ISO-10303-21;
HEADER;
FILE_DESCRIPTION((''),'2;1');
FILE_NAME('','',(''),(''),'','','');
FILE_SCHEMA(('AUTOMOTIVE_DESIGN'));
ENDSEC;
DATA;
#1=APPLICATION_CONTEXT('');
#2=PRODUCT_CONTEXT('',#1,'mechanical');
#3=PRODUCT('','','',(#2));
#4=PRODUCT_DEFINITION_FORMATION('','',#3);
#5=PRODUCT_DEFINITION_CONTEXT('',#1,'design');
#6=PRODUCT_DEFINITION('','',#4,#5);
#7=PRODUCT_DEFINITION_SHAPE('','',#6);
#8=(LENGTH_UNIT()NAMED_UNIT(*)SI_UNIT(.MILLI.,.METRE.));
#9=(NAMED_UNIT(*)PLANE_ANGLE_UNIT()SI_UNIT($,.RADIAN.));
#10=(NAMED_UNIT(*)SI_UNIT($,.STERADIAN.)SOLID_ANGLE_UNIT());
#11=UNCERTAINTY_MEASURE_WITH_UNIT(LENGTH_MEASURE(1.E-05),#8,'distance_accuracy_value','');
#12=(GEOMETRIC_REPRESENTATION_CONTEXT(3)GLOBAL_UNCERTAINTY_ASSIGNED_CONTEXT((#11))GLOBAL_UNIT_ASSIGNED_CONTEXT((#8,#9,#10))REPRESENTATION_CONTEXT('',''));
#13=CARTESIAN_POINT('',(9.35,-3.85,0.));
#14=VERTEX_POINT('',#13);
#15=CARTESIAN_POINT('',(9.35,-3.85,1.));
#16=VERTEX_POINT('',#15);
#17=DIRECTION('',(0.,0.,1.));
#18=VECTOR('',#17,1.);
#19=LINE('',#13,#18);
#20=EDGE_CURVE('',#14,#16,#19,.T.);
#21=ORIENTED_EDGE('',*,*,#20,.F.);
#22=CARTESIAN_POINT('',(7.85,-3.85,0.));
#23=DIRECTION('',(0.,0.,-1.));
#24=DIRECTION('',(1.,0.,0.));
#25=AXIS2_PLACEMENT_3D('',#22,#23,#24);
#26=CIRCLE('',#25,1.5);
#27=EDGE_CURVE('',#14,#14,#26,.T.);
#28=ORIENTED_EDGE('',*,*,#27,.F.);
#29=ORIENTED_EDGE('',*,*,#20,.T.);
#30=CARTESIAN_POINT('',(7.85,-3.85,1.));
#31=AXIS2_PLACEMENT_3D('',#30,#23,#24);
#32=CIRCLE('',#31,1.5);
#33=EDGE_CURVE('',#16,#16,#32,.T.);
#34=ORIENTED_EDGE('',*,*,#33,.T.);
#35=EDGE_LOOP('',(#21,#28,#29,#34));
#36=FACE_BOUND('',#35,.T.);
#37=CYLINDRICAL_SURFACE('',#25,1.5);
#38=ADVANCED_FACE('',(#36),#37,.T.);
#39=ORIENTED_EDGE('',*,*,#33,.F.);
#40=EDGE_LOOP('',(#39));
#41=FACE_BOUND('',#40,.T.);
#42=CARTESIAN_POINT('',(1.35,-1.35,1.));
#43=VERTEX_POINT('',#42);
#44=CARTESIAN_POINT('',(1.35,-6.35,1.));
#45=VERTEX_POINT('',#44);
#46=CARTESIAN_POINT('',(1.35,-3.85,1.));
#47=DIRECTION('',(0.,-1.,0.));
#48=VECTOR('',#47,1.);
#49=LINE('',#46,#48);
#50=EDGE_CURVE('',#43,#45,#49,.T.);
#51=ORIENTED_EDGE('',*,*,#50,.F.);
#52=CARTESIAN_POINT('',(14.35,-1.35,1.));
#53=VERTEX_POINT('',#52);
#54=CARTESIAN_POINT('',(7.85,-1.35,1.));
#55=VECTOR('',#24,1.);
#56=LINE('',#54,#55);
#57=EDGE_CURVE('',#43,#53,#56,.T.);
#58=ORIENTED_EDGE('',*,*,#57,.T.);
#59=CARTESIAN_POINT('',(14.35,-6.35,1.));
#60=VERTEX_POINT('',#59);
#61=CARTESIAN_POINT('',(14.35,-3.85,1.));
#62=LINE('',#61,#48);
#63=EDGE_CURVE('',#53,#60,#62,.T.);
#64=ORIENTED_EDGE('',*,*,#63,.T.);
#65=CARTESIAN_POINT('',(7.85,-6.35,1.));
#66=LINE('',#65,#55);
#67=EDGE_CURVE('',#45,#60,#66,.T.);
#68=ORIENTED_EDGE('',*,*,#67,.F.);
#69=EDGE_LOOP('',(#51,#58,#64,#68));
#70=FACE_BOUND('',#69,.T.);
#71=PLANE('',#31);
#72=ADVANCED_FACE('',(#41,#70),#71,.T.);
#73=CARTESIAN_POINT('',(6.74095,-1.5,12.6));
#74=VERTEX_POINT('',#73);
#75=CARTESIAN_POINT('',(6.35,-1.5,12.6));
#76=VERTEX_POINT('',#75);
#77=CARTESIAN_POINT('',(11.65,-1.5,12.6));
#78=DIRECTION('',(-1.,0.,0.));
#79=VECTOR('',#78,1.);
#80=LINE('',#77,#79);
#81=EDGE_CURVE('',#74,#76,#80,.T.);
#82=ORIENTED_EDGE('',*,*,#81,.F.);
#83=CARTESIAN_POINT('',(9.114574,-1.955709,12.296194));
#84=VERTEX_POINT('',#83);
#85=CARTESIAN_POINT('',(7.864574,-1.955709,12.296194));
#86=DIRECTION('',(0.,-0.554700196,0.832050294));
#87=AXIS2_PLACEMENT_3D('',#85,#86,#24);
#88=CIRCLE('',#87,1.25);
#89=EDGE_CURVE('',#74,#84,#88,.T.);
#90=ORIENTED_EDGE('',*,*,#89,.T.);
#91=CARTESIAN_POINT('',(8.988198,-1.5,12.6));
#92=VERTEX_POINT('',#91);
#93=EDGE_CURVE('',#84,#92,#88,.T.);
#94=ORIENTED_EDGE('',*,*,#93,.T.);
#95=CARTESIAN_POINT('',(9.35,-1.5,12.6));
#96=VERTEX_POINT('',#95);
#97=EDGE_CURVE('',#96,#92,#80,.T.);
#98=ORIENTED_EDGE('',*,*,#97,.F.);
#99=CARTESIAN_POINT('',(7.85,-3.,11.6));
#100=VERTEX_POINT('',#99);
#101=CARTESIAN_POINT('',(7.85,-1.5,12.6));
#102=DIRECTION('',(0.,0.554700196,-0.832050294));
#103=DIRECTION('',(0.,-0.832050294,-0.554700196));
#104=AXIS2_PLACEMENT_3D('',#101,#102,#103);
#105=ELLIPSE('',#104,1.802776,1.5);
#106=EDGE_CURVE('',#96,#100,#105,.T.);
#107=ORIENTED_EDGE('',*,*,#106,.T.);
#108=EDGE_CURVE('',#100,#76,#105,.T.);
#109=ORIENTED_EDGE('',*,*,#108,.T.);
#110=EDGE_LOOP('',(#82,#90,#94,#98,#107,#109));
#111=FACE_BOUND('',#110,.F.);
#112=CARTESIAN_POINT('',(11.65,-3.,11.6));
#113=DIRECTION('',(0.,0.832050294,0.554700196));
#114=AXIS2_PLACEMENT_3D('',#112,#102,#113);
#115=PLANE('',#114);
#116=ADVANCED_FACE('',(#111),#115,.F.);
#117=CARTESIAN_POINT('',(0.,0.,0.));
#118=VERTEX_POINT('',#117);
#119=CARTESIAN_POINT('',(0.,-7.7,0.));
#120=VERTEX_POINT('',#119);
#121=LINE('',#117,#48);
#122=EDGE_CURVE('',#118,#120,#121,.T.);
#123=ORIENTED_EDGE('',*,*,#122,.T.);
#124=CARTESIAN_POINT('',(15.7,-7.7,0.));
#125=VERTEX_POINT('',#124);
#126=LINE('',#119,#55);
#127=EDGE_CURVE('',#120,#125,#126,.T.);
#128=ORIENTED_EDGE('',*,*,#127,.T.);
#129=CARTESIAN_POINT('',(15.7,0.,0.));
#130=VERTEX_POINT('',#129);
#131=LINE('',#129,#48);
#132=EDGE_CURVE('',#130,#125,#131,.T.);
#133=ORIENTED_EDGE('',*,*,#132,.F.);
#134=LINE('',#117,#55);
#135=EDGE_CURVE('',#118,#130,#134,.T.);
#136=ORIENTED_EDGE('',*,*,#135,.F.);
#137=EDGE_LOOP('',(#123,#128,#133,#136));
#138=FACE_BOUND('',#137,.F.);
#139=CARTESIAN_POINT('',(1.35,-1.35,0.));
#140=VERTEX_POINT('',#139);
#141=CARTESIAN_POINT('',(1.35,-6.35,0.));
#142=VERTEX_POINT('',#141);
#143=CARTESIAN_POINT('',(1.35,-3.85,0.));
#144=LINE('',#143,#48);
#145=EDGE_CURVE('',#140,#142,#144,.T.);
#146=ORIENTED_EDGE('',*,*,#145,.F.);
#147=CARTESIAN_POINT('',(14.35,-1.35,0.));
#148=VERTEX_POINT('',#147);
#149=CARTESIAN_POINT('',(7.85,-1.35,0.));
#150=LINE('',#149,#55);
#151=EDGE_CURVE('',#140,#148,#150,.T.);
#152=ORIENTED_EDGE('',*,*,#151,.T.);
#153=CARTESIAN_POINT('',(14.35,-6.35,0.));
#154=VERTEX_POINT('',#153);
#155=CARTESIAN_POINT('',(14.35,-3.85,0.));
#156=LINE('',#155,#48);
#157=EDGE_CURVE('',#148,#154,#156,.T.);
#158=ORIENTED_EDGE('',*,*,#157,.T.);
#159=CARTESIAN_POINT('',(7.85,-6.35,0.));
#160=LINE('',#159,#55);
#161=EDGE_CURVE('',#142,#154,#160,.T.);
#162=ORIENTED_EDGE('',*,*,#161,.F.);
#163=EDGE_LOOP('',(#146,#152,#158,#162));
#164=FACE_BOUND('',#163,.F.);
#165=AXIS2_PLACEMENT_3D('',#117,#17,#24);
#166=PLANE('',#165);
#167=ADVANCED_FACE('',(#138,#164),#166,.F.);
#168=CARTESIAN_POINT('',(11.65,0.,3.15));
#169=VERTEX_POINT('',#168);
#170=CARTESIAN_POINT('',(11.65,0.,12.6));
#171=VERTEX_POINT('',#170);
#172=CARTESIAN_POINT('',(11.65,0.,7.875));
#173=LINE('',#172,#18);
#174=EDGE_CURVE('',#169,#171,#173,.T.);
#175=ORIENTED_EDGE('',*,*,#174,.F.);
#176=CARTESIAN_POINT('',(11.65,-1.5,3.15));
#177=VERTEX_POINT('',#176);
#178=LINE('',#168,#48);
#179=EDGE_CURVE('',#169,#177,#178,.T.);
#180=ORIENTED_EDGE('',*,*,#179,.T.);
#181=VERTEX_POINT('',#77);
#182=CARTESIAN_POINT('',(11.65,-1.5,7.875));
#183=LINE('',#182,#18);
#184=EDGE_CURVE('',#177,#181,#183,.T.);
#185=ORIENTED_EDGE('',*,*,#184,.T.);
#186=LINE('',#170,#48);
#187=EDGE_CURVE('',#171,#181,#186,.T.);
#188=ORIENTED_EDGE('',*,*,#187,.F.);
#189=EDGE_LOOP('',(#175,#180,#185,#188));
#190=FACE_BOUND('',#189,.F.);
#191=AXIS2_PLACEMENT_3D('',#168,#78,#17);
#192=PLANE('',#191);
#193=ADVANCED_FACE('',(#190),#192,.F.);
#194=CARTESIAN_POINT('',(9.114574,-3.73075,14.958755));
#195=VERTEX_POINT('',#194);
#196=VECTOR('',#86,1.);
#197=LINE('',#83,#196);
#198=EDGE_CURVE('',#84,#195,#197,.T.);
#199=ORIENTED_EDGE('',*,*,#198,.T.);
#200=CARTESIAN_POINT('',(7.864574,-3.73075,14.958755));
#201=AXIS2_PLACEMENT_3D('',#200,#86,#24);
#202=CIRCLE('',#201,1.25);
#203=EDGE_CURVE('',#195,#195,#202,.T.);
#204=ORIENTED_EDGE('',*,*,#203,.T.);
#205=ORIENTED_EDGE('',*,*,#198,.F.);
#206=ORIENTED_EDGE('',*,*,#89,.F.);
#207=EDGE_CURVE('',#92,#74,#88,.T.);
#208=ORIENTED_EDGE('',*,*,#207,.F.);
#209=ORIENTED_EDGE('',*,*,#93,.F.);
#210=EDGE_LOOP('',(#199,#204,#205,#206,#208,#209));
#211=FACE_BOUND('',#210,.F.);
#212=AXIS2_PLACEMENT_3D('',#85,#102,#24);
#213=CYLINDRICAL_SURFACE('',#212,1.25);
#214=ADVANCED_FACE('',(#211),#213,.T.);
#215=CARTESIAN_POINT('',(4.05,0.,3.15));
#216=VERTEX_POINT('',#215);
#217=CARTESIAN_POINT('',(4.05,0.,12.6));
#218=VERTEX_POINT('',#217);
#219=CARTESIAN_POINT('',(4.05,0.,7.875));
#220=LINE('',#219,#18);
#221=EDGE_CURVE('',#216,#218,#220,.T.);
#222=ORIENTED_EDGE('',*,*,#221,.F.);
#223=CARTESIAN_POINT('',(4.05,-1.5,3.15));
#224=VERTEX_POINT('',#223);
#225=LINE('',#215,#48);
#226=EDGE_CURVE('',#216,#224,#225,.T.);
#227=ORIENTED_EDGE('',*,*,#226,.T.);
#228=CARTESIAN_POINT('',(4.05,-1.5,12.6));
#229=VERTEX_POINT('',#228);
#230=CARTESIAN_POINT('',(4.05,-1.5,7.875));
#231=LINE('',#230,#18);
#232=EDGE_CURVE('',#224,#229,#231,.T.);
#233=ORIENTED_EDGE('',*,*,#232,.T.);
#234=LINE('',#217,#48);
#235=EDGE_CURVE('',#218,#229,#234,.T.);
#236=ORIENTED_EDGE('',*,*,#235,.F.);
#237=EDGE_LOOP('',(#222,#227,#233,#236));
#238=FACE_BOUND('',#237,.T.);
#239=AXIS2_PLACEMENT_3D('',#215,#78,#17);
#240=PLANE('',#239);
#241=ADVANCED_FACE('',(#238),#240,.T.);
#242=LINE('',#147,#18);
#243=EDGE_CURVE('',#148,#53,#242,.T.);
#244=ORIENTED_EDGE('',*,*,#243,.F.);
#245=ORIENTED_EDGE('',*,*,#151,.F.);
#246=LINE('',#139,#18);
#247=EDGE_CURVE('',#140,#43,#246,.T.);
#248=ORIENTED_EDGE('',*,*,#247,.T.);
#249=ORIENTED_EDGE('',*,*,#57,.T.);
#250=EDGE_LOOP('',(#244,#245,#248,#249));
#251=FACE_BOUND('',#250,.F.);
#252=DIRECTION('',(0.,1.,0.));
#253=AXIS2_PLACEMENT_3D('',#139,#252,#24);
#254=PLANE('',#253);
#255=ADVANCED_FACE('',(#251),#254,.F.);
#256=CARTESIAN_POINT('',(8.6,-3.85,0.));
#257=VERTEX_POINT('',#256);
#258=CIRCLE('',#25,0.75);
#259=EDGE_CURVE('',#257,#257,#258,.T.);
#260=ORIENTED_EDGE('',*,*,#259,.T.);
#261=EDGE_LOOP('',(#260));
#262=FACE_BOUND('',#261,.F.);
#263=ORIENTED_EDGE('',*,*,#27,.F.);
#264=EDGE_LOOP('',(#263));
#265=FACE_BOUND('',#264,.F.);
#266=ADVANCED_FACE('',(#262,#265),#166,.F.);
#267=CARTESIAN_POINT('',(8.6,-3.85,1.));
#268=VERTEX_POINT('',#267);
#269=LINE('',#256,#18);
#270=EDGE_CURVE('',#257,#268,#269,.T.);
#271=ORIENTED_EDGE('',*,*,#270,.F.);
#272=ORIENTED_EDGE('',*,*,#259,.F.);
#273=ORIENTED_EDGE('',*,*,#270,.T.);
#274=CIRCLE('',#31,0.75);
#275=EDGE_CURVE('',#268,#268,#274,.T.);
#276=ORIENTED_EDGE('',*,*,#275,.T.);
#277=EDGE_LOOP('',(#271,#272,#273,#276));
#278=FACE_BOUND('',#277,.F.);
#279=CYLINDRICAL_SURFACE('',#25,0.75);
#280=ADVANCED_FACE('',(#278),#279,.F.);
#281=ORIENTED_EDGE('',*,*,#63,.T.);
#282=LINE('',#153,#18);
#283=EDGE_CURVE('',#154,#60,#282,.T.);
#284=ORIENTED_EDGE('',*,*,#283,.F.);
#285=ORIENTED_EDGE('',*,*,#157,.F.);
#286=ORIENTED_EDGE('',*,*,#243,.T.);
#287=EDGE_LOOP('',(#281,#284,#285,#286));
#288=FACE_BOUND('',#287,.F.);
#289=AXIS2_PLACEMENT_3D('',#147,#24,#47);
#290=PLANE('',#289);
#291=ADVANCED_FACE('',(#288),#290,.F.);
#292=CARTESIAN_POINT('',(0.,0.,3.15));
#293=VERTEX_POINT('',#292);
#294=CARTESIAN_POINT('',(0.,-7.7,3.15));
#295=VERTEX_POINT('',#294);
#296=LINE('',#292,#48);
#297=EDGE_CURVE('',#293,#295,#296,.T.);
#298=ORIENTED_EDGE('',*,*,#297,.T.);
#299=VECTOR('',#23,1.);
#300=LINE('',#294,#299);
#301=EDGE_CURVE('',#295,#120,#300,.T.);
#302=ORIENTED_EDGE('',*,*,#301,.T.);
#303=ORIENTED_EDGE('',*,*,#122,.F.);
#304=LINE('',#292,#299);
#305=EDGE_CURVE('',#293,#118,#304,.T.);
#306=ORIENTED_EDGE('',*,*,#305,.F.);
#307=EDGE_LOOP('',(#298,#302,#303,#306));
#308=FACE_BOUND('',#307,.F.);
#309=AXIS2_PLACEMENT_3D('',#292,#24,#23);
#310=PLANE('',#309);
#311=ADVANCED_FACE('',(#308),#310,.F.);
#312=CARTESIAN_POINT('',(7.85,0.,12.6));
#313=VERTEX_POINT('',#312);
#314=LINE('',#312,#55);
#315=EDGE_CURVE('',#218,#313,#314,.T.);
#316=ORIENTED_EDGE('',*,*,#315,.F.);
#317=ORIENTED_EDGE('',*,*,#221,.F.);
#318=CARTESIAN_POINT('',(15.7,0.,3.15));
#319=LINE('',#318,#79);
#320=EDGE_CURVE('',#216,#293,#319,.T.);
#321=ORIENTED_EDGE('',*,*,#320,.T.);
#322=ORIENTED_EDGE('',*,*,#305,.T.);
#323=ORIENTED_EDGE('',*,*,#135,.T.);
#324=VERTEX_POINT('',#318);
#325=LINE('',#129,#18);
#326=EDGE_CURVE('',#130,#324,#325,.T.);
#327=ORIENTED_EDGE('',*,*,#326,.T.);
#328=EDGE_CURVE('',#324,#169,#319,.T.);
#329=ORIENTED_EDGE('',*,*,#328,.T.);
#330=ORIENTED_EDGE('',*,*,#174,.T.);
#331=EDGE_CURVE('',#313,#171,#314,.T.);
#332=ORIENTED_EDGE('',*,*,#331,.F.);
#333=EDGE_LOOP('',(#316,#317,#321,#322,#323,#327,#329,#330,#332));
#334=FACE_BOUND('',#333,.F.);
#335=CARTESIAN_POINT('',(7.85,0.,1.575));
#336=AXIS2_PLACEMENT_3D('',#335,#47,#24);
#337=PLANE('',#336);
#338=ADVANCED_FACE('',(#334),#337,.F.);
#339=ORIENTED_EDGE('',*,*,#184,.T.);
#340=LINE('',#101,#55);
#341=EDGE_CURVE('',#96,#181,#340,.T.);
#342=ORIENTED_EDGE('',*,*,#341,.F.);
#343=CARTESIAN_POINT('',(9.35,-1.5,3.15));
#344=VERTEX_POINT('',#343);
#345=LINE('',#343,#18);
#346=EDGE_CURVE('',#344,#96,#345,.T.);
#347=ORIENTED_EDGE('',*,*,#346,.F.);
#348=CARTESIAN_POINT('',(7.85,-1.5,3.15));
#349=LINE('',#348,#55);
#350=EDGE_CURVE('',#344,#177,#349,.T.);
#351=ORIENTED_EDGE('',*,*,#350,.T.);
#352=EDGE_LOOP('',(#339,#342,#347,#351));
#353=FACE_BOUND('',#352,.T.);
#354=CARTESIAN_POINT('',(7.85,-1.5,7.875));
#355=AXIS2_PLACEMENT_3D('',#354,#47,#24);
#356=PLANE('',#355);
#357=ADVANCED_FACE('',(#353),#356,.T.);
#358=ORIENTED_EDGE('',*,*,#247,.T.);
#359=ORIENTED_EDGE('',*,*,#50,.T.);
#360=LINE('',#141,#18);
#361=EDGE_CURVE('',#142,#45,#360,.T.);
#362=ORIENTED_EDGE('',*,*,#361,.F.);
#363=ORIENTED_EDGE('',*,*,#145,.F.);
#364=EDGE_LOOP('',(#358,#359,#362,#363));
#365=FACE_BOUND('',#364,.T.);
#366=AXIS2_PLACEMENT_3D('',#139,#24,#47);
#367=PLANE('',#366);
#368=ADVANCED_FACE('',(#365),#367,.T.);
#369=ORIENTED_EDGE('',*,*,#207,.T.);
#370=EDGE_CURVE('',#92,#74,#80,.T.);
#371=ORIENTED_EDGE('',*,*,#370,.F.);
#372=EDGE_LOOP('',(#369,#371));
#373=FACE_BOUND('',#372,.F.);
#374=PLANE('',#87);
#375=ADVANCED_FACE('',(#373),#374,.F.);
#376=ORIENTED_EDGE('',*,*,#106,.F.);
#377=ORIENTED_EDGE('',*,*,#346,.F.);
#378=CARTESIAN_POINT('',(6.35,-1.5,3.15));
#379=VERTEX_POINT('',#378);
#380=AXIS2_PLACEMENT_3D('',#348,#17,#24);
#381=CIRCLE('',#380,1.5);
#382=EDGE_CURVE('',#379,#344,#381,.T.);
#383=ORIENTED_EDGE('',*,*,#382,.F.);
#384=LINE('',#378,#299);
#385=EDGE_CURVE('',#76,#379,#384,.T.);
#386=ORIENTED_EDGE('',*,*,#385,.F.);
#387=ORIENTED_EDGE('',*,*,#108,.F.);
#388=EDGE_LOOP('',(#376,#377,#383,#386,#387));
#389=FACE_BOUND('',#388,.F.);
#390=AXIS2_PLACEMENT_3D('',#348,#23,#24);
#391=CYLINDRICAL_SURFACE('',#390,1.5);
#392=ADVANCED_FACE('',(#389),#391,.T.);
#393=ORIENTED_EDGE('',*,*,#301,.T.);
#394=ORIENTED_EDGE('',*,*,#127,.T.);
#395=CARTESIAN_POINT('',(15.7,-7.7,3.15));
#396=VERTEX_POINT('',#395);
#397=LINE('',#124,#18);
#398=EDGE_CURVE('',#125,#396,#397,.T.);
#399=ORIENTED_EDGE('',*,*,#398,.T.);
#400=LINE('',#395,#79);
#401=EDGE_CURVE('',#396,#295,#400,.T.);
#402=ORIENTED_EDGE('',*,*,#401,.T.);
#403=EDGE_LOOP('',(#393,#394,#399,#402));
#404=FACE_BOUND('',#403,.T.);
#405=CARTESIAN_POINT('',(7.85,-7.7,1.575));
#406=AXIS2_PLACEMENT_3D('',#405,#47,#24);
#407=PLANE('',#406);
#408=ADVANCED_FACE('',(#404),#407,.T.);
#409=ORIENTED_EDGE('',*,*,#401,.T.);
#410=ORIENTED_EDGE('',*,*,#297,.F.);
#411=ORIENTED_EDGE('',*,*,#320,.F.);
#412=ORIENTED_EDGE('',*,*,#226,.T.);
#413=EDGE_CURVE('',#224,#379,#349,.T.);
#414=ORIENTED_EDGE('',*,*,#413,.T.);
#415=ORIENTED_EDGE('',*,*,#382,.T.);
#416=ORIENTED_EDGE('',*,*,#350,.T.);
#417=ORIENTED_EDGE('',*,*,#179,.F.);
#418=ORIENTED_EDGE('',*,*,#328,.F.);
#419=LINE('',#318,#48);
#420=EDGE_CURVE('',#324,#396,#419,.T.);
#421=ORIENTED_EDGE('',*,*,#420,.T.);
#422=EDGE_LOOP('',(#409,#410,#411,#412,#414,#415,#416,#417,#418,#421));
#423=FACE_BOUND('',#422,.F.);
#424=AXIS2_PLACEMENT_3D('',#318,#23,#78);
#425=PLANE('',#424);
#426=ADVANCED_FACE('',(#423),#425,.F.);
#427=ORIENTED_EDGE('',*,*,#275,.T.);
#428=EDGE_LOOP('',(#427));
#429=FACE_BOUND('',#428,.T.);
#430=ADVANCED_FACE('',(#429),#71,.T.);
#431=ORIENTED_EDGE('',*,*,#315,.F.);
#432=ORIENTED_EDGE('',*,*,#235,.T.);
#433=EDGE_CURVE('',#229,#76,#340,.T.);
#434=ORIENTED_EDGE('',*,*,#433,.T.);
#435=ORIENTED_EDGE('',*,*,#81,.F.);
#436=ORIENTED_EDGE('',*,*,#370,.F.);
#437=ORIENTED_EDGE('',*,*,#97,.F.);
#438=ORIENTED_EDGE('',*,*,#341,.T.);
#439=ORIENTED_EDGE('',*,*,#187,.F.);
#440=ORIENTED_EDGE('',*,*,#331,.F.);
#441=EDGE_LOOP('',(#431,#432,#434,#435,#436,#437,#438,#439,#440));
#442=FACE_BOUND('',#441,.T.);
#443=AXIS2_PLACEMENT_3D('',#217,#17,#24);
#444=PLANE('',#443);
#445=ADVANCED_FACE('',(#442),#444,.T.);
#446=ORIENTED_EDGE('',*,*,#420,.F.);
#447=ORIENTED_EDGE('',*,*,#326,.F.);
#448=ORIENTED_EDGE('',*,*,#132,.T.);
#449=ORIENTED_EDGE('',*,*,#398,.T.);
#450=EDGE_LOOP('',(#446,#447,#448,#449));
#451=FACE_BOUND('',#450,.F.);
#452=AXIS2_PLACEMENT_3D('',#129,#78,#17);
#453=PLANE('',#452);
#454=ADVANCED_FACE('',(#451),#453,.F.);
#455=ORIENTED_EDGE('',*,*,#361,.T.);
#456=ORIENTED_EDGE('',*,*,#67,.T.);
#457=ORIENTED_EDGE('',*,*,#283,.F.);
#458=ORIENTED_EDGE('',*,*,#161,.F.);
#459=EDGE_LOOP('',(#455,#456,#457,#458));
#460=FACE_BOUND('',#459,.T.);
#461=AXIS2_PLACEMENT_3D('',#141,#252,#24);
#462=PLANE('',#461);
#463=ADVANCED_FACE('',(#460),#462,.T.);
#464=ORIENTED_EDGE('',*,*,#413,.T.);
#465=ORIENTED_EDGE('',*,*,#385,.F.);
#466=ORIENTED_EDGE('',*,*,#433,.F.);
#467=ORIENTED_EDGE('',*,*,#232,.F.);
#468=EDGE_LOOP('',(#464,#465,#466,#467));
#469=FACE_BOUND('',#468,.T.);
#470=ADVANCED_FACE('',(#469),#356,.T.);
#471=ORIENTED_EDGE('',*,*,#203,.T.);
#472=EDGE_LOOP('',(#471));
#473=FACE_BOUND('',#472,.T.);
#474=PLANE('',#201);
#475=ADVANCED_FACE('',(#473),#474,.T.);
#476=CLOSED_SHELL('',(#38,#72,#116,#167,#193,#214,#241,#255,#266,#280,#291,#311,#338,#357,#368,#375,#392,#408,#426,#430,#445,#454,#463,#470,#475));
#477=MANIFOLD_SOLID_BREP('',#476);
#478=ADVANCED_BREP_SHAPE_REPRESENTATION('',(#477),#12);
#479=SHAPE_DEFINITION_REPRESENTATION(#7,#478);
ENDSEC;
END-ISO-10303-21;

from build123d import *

# Parameters (mm, degrees)
F1_DEPTH  = 7.7
F0_W      = 7.6
F0_H      = 9.45
F2_DEPTH  = 1.5
F3_R      = 1.5
F4_DEPTH  = 9.45
F5_W      = 13
F5_H      = 5
F5_R      = 1.5
F5_R_2    = 0.75
F6_DEPTH  = 1
F8_DEPTH  = 25
F9_R      = 1.25
F10_DEPTH = 3.2


with BuildPart() as f1:
    # F0 (on Front) → F1 (new body)
    with BuildSketch(Plane.XZ):
        Polygon((0, 3.15), (0, 0), (15.7, 0), (15.7, 3.15), (11.65, 3.15), (4.05, 3.15), align=None)
    extrude(amount=F1_DEPTH)

    # F0 (on Front) → F2 (join)
    with BuildSketch(Plane.XZ):
        with Locations((7.85, 7.875)):
            Rectangle(F0_W, F0_H)
    extrude(amount=F2_DEPTH)

    # F3 (on face) → F4 (join)
    with BuildSketch(Plane.XY.offset(3.15)):
        with Locations((7.85, -1.5)):
            Circle(F3_R)
    extrude(amount=F4_DEPTH)

    # F5 (on face) → F6 (cut)
    with BuildSketch(Plane(origin=(0, 0, 0), x_dir=(1, 0, 0), z_dir=(0, 0, -1))):
        with Locations((7.85, 3.85)):
            Rectangle(F5_W, F5_H)
        with Locations((7.85, 3.85)):
            Circle(F5_R, mode=Mode.SUBTRACT)
        with Locations((7.85, 3.85)):
            Circle(F5_R_2)
    extrude(amount=-F6_DEPTH, mode=Mode.SUBTRACT)

    # F7 (on face) → F8 (cut)
    with BuildSketch(Plane.YZ.offset(11.65)):
        Polygon((-3, 11.6), (-1.5, 12.6), (-3, 12.6), align=None)
    extrude(amount=-F8_DEPTH, mode=Mode.SUBTRACT)

    # F9 (on face) → F10 (join)
    with BuildSketch(Plane(origin=(0, -6.276923, 9.415385), x_dir=(1, 0, 0), z_dir=(0, -0.5547, 0.83205))):
        with Locations((7.864574, 5.193453)):
            Circle(F9_R)
    extrude(amount=F10_DEPTH)


solid = f1.part
